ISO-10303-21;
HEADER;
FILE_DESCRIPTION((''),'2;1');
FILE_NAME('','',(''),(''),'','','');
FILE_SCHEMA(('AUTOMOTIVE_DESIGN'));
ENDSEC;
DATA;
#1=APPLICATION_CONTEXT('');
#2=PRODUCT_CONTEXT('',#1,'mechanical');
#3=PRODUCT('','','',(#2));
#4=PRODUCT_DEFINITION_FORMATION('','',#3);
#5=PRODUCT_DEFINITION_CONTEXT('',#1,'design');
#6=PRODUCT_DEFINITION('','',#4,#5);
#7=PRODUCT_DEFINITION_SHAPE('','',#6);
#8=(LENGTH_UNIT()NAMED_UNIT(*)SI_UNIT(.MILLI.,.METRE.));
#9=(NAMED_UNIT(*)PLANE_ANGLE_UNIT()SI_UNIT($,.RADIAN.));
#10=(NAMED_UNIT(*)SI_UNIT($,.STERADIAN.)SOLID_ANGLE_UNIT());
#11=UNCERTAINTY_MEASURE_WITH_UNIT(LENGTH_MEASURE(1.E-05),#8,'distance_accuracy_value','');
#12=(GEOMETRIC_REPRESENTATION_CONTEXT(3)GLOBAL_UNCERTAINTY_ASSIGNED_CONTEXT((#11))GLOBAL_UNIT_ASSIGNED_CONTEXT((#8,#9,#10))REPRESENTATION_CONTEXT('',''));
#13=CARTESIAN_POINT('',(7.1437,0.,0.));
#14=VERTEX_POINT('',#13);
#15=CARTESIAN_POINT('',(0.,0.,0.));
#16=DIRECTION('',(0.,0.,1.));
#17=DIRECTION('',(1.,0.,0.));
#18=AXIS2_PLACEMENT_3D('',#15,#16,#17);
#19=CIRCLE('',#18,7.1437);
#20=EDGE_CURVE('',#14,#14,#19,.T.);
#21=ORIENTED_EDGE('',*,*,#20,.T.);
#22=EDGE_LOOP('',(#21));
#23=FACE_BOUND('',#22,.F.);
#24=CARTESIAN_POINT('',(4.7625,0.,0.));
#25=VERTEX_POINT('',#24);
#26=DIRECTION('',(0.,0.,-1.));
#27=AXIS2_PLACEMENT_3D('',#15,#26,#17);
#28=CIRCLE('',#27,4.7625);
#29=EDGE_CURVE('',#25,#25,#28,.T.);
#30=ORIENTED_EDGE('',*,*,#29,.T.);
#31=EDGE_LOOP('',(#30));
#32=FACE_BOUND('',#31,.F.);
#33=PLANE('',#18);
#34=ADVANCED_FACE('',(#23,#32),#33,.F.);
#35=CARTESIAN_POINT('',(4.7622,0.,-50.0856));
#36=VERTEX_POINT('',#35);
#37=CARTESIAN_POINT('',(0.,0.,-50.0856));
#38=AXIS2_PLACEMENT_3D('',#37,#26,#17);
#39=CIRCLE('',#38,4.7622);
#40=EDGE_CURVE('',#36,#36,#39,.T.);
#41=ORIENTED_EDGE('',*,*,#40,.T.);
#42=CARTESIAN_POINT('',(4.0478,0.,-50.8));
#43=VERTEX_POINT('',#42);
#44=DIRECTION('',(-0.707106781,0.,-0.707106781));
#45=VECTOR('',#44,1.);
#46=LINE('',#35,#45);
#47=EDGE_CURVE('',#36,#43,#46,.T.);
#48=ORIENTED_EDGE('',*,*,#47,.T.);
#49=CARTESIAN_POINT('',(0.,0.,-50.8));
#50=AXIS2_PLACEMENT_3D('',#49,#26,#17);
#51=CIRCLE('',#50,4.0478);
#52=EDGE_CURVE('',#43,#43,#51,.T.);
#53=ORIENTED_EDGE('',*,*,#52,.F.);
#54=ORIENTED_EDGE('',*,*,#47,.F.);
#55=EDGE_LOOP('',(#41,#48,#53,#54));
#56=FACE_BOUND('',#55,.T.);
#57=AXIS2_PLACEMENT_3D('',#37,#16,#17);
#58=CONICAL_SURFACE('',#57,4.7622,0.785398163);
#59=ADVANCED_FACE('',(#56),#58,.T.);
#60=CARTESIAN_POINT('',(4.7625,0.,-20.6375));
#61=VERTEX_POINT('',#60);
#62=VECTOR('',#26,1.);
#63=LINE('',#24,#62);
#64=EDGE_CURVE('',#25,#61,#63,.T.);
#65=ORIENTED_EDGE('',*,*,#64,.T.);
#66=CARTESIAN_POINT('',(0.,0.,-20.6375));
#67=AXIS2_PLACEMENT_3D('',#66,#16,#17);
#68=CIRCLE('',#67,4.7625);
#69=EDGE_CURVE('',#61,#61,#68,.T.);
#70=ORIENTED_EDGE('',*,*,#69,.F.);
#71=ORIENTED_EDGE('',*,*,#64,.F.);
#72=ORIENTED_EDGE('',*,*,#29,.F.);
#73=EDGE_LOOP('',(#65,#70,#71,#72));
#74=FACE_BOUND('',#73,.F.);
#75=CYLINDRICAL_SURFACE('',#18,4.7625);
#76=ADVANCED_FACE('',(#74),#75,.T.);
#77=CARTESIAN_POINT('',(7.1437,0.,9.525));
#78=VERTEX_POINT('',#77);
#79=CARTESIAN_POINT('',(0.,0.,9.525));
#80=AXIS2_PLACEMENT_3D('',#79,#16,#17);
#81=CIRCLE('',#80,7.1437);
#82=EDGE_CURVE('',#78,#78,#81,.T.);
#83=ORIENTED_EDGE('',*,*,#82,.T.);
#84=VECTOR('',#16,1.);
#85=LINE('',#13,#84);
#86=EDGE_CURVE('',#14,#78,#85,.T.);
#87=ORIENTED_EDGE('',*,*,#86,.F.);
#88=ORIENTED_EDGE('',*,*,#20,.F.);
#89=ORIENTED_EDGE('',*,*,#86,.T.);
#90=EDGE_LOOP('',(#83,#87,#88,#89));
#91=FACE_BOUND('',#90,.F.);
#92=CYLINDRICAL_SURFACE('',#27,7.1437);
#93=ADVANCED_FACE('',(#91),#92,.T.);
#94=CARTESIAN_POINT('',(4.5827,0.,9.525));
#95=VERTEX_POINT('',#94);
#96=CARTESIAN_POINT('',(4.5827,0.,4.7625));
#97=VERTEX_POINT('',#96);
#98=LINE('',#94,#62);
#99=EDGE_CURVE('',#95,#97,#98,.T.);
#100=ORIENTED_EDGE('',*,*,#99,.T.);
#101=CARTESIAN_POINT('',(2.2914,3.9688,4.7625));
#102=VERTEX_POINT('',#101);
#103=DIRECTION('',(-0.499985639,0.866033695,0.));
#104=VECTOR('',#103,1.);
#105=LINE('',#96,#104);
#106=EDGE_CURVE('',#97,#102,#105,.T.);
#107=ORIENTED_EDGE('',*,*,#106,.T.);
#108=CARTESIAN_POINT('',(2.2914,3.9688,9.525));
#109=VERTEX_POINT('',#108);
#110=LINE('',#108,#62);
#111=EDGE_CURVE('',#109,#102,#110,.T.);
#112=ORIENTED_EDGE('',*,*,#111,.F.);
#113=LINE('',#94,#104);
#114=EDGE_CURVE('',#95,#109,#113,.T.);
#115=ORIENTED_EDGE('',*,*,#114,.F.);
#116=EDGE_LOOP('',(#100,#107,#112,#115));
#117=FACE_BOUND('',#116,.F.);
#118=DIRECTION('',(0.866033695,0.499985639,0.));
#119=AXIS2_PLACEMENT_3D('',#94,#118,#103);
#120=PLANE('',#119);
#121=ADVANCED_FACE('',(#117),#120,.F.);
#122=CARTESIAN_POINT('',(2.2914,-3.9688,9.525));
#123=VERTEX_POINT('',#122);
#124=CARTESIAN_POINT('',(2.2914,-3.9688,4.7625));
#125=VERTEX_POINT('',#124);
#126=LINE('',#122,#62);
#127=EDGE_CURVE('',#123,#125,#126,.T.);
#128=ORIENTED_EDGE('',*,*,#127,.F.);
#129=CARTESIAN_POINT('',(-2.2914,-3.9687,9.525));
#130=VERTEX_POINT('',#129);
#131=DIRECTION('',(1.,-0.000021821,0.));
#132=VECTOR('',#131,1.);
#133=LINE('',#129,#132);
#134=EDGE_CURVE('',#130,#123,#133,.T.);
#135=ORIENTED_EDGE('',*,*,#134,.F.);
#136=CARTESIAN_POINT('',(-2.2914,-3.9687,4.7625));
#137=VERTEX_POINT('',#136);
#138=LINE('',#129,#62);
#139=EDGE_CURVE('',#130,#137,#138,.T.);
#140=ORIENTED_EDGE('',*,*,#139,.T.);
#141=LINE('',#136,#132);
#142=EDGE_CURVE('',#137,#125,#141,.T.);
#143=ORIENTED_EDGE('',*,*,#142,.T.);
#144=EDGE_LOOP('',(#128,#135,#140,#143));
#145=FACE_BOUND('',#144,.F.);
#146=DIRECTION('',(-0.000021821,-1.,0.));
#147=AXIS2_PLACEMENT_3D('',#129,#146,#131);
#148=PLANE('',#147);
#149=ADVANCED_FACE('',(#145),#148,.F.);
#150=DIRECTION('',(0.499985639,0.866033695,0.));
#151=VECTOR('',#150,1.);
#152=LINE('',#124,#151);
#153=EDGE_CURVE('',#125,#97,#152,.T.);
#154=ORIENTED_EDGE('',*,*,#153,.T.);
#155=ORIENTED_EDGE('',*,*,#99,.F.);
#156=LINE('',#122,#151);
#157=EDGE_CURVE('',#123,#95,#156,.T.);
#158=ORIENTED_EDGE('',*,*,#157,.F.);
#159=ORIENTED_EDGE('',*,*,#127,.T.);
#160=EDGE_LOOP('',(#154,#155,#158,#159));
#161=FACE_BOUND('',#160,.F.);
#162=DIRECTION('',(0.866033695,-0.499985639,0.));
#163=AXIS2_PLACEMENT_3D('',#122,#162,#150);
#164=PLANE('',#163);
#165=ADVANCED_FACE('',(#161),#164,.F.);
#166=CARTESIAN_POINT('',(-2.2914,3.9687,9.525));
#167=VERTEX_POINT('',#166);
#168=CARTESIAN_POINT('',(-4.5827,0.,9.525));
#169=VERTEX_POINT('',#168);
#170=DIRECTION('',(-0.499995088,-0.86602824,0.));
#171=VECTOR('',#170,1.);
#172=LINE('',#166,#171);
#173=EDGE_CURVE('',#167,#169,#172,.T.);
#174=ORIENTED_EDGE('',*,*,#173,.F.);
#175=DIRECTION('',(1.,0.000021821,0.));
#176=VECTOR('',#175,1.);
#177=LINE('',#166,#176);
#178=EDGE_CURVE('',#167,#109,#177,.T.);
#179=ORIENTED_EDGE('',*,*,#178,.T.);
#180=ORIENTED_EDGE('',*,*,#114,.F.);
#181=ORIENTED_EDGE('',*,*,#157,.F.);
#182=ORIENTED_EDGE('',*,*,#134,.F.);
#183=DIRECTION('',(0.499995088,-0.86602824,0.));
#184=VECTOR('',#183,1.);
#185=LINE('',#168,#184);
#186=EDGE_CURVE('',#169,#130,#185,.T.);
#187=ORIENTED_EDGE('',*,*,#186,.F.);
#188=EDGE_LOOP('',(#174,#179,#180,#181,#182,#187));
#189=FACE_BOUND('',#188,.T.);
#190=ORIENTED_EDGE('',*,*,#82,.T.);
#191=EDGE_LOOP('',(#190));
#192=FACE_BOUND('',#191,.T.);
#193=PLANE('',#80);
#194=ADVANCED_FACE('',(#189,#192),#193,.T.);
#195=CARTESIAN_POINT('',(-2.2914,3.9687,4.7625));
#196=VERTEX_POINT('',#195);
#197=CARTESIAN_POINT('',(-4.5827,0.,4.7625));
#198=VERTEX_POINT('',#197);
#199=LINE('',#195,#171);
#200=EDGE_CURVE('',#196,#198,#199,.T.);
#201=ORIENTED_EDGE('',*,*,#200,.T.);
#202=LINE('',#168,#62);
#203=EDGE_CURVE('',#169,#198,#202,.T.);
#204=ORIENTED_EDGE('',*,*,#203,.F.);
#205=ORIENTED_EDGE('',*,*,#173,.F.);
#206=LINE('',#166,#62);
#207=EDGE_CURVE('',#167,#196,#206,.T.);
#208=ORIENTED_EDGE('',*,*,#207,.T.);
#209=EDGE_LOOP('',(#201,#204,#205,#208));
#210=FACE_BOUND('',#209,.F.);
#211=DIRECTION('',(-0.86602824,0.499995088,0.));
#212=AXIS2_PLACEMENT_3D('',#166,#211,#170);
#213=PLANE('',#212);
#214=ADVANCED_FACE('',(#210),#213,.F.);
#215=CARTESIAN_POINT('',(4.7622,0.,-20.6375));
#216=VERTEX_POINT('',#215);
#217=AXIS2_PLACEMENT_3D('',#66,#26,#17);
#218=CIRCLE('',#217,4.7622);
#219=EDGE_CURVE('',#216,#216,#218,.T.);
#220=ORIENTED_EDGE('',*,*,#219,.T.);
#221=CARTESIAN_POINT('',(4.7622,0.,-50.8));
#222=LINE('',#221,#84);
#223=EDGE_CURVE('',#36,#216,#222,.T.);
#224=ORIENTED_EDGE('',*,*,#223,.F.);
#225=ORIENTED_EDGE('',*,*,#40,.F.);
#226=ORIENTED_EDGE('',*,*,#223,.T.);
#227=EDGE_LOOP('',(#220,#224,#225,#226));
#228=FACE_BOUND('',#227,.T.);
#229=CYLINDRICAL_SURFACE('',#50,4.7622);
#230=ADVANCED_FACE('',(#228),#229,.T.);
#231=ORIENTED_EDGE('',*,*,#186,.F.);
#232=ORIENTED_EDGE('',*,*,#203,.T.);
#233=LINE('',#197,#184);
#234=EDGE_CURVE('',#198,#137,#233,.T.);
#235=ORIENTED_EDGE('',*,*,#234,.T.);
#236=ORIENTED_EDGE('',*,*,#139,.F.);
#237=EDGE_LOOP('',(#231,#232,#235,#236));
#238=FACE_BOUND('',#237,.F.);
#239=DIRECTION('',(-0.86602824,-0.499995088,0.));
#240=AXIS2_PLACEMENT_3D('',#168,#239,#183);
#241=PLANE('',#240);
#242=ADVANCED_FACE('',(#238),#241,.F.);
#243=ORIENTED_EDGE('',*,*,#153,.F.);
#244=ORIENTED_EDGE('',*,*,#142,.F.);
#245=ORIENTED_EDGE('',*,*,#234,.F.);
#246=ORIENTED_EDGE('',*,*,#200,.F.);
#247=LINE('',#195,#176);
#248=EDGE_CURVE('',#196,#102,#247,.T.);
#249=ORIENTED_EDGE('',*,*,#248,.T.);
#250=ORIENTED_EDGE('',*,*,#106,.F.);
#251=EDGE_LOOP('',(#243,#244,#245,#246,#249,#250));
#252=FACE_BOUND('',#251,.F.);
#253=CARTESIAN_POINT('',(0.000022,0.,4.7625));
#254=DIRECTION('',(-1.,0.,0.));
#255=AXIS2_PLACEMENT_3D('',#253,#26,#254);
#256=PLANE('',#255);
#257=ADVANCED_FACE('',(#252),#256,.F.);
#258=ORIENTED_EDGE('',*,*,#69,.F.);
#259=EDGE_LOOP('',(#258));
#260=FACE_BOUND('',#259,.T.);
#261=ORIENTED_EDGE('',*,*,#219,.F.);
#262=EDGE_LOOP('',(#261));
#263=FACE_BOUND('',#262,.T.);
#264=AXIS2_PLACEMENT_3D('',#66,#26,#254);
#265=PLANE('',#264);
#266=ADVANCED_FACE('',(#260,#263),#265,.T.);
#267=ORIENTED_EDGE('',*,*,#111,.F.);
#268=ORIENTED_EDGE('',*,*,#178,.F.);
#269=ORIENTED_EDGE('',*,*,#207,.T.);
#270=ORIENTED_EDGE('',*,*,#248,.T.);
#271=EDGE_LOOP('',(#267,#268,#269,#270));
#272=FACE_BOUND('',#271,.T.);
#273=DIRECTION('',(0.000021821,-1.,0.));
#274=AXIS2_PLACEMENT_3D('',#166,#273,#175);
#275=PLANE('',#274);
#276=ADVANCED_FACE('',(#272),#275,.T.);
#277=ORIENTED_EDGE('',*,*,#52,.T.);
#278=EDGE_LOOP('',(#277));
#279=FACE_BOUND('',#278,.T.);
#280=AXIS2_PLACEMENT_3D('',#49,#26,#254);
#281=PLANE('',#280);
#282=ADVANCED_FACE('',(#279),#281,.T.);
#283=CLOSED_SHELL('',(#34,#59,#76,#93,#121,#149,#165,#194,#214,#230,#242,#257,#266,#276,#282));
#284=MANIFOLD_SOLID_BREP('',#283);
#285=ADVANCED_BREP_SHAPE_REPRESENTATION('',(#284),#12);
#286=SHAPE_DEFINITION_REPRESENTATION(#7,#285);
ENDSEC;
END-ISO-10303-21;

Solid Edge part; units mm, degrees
sketch "Sketch1" plane through (0, 0, 0) normal (0, 0, 1) x (1, 0, 0)
  circle A0 centre (0, 0) radius 7.1437
  dimension "D1" = 14.2875
extrude "Protrusion1" add sketch "Sketch1" along normal blind 9.525
sketch "Sketch2" plane through (0, 0, 0) normal (0, 0, -1) x (1, 0, 0)
  circle A0 centre (0, 0) radius 4.7625
extrude "Protrusion2" add sketch "Sketch2" along normal blind 50.8
sketch "Sketch3" plane through (0, 0, -50.8) normal (0, 0, -1) x (1, 0, 0)
  circle A0 centre (0, 0) radius 4.7622
extrude "Cutout1" cut sketch "Sketch3" against normal blind 30.1625 flip side to cut
chamfer "Chamfer_1" distance 0.7144 angle 45 1 edges at (-4.7622, 0, -50.8)
sketch "Sketch4" plane through (0, 0, 9.525) normal (0, 0, 1) x (1, 0, 0)
  line L0 (-2.2914, 3.9687) -> (2.2914, 3.9688)
  line L1 (4.5827, 0) -> (2.2914, 3.9688)
  line L2 (2.2914, -3.9688) -> (4.5827, 0)
  line L3 (-2.2914, -3.9687) -> (2.2914, -3.9688)
  line L4 (-4.5827, 0) -> (-2.2914, -3.9688)
  line L5 (-2.2914, 3.9688) -> (-4.5827, 0)
  dimension "D1" = 7.9375
extrude "Cutout2" cut sketch "Sketch4" against normal blind 4.7625
properties part number "24102752"
